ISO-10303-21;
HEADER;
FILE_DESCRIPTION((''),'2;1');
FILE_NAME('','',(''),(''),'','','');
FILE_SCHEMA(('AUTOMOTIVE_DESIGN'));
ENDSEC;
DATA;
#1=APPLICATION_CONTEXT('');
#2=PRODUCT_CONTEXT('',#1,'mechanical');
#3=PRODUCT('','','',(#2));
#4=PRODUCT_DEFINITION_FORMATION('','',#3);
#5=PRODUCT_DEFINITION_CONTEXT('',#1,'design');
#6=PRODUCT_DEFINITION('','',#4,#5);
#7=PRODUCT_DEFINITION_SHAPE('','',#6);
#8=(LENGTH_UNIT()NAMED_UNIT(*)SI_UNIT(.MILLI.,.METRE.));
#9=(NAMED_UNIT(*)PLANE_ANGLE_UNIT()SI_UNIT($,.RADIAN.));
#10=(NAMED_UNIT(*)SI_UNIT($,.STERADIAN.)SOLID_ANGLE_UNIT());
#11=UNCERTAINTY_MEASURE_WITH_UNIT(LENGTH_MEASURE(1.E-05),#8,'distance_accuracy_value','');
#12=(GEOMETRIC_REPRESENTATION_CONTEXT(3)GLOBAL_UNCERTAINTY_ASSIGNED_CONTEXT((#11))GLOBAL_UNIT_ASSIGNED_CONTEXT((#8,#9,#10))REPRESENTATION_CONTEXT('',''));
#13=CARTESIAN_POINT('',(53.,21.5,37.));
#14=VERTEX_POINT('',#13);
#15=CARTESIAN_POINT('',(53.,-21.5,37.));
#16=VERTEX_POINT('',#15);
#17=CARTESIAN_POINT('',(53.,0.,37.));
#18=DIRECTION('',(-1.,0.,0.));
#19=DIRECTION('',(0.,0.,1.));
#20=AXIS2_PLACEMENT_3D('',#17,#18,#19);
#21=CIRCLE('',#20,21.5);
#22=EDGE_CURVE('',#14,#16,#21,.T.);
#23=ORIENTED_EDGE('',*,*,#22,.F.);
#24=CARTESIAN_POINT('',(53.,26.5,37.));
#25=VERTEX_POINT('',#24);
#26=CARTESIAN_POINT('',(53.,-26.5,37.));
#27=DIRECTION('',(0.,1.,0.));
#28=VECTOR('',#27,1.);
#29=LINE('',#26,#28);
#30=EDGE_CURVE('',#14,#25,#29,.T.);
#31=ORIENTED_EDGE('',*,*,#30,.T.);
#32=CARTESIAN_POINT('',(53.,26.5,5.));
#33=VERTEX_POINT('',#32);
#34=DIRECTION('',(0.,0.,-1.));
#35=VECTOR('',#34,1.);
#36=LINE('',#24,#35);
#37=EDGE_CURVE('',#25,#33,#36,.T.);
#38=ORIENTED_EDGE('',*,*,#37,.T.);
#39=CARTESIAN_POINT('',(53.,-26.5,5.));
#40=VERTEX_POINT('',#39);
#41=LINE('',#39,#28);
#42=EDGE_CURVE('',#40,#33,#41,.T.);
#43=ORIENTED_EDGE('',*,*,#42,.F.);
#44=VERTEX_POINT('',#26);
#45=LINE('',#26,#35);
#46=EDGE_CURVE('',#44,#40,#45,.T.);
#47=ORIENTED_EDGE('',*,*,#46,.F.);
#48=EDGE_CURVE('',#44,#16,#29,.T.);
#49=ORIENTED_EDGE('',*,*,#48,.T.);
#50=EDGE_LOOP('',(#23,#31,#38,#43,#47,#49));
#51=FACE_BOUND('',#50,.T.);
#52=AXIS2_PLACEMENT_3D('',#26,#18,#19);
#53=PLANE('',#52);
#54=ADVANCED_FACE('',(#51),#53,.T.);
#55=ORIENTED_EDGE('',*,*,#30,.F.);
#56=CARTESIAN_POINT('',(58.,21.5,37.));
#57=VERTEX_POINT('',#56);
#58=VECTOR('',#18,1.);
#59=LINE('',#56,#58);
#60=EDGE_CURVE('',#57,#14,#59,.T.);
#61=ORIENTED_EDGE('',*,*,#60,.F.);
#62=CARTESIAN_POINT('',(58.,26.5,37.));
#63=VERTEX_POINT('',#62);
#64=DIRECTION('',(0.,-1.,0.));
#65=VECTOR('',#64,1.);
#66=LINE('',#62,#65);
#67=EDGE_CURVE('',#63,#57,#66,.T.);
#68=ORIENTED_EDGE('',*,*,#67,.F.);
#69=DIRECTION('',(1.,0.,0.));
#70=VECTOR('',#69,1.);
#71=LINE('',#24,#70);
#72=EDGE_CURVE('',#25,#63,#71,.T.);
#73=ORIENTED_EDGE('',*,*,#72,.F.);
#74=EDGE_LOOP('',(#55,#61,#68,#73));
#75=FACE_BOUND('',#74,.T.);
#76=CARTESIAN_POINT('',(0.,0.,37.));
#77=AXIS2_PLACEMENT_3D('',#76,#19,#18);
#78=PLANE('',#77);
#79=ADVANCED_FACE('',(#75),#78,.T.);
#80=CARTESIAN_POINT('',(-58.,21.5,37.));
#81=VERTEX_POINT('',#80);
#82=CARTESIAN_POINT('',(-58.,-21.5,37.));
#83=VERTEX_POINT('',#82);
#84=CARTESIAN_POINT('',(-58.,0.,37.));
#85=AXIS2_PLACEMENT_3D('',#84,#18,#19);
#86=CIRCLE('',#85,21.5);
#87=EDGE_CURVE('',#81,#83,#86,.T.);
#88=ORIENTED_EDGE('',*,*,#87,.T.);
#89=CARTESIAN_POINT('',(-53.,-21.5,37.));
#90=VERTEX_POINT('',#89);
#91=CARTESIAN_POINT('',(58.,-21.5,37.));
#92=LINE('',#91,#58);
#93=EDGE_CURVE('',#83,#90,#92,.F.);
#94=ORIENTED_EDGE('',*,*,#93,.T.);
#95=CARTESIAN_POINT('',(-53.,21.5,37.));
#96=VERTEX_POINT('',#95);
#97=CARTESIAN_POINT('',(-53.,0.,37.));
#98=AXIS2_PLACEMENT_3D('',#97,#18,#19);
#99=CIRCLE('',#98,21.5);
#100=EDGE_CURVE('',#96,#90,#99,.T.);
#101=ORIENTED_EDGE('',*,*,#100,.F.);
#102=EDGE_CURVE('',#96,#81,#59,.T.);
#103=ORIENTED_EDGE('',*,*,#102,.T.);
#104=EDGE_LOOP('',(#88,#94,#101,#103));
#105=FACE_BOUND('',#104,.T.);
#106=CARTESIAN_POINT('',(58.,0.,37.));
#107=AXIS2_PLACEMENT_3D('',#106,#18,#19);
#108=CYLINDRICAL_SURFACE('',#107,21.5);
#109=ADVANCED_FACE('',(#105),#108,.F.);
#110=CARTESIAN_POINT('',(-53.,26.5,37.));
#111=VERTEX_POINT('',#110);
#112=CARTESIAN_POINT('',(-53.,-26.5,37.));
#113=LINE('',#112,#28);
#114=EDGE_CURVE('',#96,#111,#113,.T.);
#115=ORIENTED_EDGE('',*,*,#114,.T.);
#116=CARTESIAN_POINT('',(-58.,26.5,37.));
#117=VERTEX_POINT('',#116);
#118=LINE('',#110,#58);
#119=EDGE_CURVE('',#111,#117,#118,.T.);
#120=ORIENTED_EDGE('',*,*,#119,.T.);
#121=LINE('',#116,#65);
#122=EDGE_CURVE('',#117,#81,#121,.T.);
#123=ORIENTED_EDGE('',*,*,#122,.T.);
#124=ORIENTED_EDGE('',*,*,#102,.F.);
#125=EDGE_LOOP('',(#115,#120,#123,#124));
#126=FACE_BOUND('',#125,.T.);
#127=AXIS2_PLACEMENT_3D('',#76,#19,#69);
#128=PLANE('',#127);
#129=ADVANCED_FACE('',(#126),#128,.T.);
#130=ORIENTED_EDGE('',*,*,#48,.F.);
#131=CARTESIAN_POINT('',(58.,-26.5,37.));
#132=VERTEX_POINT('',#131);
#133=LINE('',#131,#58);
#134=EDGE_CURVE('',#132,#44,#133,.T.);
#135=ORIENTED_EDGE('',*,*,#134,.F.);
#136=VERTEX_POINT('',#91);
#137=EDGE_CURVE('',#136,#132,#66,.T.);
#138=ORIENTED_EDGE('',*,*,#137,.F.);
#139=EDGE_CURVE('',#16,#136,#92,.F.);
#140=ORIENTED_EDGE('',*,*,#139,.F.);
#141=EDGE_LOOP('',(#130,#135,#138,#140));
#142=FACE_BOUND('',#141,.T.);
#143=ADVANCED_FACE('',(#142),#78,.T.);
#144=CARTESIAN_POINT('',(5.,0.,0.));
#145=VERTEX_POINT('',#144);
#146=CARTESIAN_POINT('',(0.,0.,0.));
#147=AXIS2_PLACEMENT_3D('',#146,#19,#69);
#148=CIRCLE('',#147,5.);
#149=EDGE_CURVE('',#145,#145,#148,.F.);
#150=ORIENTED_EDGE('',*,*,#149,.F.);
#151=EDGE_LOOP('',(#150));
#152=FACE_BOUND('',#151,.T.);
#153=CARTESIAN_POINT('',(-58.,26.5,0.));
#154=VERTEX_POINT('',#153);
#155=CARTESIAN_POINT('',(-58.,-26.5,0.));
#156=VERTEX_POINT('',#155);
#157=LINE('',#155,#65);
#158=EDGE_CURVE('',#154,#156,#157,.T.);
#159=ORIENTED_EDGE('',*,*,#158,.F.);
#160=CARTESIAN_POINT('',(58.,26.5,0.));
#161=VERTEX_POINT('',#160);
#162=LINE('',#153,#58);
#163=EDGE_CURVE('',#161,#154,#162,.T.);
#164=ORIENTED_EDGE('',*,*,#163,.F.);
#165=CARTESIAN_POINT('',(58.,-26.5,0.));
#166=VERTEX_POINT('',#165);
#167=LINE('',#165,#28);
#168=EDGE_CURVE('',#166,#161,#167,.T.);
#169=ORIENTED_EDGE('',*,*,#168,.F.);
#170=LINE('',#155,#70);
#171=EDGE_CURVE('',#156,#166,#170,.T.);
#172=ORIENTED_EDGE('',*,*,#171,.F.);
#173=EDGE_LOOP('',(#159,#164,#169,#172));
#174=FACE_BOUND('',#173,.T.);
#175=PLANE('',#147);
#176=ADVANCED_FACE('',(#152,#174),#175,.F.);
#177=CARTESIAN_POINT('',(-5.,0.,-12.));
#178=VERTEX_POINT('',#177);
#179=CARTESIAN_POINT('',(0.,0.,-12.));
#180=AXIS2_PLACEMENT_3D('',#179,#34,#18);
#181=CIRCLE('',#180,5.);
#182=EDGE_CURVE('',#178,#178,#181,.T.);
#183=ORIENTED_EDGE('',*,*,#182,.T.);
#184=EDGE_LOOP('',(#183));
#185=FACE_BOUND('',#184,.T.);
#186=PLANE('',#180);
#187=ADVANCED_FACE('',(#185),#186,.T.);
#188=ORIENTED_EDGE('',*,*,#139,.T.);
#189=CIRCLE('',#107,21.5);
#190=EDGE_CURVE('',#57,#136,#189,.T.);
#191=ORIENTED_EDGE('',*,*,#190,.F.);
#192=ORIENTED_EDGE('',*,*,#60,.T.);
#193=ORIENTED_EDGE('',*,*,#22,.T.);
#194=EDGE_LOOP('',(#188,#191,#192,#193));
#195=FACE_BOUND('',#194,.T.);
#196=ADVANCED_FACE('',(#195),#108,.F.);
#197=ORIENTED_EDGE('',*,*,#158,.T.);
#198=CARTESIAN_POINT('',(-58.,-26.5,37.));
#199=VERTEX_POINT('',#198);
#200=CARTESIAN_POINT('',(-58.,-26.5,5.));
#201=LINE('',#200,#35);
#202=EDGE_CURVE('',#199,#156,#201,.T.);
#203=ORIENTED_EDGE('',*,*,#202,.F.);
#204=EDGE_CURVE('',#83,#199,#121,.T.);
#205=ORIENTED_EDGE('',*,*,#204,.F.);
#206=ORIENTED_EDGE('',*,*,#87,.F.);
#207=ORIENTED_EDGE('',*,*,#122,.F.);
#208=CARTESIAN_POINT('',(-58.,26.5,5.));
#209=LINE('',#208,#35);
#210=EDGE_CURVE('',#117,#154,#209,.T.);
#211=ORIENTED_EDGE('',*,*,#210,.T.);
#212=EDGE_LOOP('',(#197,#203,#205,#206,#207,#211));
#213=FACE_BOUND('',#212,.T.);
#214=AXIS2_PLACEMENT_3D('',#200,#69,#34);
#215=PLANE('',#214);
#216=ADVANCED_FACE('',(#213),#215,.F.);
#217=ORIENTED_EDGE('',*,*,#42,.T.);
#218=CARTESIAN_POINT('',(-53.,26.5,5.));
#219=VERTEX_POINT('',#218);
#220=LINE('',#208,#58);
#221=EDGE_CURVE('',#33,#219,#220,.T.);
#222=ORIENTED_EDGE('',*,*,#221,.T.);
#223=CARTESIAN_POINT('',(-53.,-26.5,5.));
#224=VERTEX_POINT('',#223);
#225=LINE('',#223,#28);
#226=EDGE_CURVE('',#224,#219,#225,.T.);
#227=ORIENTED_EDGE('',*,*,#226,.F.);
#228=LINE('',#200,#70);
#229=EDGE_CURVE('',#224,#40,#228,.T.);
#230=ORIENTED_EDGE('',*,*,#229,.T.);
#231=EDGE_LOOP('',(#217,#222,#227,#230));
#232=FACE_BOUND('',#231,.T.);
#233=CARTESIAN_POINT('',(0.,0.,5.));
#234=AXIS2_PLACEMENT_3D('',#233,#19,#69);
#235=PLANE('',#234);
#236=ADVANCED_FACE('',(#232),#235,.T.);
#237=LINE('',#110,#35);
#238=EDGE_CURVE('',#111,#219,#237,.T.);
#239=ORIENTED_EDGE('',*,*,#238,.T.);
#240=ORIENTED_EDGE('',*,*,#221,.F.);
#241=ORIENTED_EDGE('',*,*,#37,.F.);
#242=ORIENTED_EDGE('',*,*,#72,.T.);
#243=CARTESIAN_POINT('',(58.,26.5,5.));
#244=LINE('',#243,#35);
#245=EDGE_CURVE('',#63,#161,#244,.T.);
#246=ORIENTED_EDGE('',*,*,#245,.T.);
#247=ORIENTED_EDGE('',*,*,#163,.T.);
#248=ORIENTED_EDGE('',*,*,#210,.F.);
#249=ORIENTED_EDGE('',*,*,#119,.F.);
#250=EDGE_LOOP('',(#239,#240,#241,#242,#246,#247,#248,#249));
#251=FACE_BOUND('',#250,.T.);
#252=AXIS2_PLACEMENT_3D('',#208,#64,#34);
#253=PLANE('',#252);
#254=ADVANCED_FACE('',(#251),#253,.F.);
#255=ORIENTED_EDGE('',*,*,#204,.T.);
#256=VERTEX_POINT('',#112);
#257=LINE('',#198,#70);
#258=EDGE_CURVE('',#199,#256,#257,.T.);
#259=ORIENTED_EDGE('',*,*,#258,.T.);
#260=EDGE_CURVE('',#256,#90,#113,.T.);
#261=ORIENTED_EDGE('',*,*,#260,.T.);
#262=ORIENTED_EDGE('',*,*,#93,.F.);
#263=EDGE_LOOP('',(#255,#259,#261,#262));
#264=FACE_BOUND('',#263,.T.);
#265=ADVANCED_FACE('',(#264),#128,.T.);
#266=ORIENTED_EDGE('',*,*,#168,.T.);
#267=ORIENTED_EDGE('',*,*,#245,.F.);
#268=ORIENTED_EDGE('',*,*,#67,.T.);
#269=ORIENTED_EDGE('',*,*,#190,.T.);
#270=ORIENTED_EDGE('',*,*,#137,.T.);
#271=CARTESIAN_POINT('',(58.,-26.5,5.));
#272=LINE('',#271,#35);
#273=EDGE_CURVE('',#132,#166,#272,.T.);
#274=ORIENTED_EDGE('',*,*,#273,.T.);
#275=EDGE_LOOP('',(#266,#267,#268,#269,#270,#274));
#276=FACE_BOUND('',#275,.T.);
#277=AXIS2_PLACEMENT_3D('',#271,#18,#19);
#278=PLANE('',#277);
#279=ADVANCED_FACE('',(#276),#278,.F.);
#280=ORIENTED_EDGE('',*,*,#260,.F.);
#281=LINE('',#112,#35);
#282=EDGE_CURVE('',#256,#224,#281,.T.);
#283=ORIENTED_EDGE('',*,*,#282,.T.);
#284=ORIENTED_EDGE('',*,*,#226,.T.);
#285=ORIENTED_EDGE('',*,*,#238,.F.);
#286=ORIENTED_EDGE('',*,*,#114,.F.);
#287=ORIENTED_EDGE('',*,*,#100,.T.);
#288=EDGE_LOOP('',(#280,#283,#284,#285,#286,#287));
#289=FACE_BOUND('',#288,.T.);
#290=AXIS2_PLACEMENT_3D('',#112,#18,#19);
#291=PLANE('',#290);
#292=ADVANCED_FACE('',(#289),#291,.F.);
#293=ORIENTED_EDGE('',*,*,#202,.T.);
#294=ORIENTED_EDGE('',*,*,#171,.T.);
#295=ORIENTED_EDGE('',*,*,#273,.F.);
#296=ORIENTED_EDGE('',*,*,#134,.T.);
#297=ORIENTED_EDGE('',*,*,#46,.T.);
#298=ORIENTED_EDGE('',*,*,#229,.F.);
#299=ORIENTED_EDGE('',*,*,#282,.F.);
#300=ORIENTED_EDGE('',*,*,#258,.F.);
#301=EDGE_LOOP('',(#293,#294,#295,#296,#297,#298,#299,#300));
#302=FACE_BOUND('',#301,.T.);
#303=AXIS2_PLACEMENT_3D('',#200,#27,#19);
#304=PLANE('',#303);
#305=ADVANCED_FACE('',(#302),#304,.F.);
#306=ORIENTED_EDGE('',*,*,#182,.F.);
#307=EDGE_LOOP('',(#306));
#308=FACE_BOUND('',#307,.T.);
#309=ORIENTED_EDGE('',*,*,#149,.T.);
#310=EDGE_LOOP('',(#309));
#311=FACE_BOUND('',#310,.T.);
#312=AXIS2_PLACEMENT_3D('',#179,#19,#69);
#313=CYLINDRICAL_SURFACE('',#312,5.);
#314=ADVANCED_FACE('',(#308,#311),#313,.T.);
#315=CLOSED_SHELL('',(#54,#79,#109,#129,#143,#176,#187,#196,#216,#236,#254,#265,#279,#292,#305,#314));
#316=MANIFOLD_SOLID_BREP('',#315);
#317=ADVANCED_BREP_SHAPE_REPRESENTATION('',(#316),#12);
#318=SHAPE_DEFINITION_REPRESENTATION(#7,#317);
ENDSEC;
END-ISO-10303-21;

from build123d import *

# Parameters (mm, degrees)
SKETCH_1_W          = 116
SKETCH_1_H          = 53
EXTRUDE_1_DEPTH     = 5
SKETCH_2_W          = 5
SKETCH_2_H          = 53
EXTRUDE_2_DEPTH     = 32
SKETCH_3_R          = 21.5
CUT_EXTRUDE_1_DEPTH = 125.608386556
SKETCH_4_R          = 5
EXTRUDE_3_DEPTH     = 12


with BuildPart() as part:
    # 草图1 → 凸台-拉伸1 (new body)
    with BuildSketch(Plane.XY):
        Rectangle(SKETCH_1_W, SKETCH_1_H)
    extrude(amount=EXTRUDE_1_DEPTH)

    # 草图2 → 凸台-拉伸2 (add)
    with BuildSketch(Plane.XY.offset(5)):
        with Locations((-55.5, 0)):
            Rectangle(SKETCH_2_W, SKETCH_2_H)
    extrude_2 = extrude(amount=EXTRUDE_2_DEPTH)

    # 镜向1: 凸台-拉伸2 across plane
    add(extrude_2.mirror(Plane(origin=(0, 0, 0), x_dir=(0, 0, 1), z_dir=(1, 0, 0))))

    # 草图3 → 切除-拉伸1 (cut, through all)
    with BuildSketch(Plane.ZY.offset(58)):
        with Locations((37, 0)):
            Circle(SKETCH_3_R)
    extrude(amount=-CUT_EXTRUDE_1_DEPTH, mode=Mode.SUBTRACT)

    # 草图4 → 凸台-拉伸3 (add)
    with BuildSketch(Plane(origin=(0, 0, 0), x_dir=(-1, 0, 0), z_dir=(0, 0, -1))):
        with Locations(Location((0, 0, 0), (0, 0, 180))):
            Circle(SKETCH_4_R)
    extrude(amount=EXTRUDE_3_DEPTH)


solid = part.part
